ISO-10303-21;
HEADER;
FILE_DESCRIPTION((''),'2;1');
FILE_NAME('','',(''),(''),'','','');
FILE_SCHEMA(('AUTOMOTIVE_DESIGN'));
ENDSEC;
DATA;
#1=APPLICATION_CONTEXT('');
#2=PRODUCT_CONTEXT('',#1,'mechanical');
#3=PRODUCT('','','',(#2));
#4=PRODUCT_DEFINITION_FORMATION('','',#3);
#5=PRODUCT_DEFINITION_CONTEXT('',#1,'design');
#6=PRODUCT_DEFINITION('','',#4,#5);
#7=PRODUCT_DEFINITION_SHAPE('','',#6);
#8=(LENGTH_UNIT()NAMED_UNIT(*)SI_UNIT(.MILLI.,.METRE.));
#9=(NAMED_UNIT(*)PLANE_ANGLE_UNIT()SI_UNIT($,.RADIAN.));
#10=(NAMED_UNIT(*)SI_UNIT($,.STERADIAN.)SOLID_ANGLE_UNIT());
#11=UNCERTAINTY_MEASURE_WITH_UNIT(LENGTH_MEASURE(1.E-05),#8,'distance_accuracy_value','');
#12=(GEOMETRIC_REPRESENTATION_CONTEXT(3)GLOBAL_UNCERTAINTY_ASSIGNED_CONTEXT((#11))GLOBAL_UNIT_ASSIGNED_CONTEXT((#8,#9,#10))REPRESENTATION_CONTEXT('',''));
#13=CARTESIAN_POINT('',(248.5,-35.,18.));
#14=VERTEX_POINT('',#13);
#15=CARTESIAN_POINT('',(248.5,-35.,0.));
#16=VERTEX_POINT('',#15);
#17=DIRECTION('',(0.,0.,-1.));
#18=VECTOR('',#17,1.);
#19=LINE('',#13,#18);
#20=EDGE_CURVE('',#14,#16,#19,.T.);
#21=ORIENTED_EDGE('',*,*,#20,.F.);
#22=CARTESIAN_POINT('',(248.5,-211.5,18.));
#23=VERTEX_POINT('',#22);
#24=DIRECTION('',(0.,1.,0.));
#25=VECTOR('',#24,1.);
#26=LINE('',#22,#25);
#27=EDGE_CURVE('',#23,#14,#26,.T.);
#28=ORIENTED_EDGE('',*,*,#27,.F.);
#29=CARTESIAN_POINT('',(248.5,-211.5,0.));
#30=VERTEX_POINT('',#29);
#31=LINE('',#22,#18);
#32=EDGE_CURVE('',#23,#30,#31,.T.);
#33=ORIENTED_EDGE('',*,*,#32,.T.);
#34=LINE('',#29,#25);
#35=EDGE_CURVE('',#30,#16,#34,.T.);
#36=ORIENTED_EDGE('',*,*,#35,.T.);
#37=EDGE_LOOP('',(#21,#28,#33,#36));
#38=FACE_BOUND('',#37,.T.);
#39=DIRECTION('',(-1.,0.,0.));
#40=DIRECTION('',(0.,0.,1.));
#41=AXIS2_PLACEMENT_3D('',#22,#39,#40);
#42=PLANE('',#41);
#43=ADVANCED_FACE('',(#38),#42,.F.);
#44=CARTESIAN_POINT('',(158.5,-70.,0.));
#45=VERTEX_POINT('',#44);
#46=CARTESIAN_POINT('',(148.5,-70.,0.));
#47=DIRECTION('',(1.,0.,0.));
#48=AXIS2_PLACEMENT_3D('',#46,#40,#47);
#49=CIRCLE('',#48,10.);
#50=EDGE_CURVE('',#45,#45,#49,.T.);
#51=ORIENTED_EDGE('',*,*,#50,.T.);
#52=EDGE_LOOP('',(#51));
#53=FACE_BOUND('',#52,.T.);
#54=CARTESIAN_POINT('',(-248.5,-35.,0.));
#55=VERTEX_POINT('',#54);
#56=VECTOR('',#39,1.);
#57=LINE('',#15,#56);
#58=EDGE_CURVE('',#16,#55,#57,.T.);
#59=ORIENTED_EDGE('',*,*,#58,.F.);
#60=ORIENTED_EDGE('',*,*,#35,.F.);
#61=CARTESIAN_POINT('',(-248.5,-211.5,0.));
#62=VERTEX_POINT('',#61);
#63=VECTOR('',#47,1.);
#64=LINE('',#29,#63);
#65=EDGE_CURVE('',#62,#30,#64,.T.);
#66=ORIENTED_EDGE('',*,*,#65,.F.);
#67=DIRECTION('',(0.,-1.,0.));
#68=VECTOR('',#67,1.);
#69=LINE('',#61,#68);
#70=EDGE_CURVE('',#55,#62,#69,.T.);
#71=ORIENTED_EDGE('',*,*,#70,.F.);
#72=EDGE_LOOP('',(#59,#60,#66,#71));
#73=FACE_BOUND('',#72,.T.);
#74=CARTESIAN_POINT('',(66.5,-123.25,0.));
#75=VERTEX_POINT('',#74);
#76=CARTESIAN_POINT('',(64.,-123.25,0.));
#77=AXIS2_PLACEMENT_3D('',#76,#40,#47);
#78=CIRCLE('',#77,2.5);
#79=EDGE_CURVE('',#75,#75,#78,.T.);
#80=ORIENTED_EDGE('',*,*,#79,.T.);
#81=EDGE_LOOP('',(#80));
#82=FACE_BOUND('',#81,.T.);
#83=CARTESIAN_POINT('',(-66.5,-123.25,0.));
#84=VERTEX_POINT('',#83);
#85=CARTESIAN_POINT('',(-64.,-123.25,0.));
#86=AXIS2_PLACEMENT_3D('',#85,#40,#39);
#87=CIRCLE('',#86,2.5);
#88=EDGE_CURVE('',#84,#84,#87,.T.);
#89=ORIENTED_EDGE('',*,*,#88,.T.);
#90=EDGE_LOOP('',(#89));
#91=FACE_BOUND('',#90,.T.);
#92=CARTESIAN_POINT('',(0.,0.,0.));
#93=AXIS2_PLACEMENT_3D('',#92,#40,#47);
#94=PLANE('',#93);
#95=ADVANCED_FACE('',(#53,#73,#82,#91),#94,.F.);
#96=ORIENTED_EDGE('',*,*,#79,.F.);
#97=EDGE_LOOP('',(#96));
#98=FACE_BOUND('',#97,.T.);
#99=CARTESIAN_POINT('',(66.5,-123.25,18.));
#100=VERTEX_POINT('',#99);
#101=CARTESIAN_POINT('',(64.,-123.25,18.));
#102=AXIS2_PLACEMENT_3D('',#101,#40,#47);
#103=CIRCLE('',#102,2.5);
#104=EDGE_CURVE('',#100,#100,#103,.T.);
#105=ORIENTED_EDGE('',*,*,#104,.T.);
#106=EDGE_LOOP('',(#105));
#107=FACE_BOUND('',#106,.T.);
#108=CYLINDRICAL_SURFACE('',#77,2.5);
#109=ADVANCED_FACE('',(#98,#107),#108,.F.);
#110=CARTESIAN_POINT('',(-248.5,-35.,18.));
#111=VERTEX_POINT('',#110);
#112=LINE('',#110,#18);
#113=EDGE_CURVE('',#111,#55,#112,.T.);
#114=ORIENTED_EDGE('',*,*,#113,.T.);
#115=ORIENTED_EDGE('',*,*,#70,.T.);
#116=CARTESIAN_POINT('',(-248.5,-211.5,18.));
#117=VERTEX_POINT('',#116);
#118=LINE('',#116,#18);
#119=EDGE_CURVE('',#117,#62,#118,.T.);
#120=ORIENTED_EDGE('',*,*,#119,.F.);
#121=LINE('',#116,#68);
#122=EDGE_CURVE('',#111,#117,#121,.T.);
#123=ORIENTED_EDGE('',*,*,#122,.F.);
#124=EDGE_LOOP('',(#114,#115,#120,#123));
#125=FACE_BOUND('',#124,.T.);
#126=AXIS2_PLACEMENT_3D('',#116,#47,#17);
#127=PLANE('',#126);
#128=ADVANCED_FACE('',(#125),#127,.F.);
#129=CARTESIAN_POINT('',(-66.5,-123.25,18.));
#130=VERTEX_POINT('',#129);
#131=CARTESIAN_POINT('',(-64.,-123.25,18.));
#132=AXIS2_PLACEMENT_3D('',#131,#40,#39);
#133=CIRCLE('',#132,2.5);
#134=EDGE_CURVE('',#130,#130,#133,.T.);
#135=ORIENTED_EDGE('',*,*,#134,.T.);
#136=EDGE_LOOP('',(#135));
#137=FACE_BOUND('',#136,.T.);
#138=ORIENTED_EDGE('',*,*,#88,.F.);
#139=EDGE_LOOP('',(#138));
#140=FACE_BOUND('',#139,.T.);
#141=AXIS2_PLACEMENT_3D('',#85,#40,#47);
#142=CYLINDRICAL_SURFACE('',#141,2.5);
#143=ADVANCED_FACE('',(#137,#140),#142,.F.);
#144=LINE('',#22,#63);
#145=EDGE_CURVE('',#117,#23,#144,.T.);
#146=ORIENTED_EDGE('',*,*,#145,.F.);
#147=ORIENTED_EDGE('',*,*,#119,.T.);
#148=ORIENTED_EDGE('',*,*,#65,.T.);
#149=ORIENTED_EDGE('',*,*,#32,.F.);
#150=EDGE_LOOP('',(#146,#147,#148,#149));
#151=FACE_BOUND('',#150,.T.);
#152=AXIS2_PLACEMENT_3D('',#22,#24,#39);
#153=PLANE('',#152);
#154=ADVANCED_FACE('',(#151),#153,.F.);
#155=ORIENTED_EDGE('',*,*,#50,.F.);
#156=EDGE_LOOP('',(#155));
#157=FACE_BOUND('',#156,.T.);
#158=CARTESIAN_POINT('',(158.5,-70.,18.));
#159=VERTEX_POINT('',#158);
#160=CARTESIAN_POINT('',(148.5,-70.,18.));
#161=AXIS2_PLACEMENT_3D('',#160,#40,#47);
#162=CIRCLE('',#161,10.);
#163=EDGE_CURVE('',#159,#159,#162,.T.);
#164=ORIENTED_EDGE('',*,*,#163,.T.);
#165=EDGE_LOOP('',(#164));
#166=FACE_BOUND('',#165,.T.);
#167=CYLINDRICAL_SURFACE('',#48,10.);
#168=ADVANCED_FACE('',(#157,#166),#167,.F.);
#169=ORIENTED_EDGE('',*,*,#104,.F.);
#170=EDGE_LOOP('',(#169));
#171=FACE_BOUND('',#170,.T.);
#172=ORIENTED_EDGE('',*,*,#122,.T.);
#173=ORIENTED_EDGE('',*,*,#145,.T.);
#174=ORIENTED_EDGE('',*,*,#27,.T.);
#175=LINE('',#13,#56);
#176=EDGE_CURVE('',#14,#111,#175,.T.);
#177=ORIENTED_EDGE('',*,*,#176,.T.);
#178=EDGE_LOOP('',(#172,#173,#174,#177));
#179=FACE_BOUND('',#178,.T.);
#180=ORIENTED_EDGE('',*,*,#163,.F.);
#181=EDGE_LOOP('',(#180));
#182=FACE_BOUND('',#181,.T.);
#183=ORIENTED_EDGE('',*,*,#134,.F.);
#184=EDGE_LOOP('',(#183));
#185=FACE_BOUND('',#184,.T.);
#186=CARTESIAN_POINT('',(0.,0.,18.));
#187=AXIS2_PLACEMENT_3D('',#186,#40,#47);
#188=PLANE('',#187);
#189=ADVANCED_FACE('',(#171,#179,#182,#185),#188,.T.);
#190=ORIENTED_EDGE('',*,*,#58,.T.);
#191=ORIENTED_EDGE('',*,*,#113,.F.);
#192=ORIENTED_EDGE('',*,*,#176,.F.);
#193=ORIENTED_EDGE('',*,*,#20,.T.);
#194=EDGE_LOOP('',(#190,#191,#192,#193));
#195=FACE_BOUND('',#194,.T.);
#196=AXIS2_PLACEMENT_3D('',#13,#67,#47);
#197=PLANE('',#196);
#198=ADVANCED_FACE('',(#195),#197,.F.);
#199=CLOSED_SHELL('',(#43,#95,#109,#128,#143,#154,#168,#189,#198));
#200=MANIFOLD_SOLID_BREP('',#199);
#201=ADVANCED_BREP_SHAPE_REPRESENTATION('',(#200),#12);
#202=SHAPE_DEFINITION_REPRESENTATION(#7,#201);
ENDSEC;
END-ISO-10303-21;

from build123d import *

# Parameters (mm, degrees)
SKETCH1_W           = 497
SKETCH1_H           = 176.5
BOSS_EXTRUDE1_DEPTH = 18
SKETCH4_R           = 2.5
CUT_EXTRUDE3_DEPTH  = 18
SKETCH5_R           = 10
CUT_EXTRUDE4_DEPTH  = 18


with BuildPart() as part:
    # Sketch1 → Boss-Extrude1 (new body)
    with BuildSketch(Plane.XY):
        with Locations((0, -123.25)):
            Rectangle(SKETCH1_W, SKETCH1_H)
    extrude(amount=BOSS_EXTRUDE1_DEPTH)

    # Sketch4 → Cut-Extrude3 (cut)
    with BuildSketch(Plane.XY.offset(18)):
        with Locations((64, -123.25)):
            Circle(SKETCH4_R)
        with Locations(Location((-64, -123.25, 0), (0, 0, 180))):
            Circle(SKETCH4_R)
    extrude(amount=-CUT_EXTRUDE3_DEPTH, mode=Mode.SUBTRACT)

    # Sketch5 → Cut-Extrude4 (cut)
    with BuildSketch(Plane.XY.offset(18)):
        with Locations((148.5, -70)):
            Circle(SKETCH5_R)
    extrude(amount=-CUT_EXTRUDE4_DEPTH, mode=Mode.SUBTRACT)


solid = part.part
